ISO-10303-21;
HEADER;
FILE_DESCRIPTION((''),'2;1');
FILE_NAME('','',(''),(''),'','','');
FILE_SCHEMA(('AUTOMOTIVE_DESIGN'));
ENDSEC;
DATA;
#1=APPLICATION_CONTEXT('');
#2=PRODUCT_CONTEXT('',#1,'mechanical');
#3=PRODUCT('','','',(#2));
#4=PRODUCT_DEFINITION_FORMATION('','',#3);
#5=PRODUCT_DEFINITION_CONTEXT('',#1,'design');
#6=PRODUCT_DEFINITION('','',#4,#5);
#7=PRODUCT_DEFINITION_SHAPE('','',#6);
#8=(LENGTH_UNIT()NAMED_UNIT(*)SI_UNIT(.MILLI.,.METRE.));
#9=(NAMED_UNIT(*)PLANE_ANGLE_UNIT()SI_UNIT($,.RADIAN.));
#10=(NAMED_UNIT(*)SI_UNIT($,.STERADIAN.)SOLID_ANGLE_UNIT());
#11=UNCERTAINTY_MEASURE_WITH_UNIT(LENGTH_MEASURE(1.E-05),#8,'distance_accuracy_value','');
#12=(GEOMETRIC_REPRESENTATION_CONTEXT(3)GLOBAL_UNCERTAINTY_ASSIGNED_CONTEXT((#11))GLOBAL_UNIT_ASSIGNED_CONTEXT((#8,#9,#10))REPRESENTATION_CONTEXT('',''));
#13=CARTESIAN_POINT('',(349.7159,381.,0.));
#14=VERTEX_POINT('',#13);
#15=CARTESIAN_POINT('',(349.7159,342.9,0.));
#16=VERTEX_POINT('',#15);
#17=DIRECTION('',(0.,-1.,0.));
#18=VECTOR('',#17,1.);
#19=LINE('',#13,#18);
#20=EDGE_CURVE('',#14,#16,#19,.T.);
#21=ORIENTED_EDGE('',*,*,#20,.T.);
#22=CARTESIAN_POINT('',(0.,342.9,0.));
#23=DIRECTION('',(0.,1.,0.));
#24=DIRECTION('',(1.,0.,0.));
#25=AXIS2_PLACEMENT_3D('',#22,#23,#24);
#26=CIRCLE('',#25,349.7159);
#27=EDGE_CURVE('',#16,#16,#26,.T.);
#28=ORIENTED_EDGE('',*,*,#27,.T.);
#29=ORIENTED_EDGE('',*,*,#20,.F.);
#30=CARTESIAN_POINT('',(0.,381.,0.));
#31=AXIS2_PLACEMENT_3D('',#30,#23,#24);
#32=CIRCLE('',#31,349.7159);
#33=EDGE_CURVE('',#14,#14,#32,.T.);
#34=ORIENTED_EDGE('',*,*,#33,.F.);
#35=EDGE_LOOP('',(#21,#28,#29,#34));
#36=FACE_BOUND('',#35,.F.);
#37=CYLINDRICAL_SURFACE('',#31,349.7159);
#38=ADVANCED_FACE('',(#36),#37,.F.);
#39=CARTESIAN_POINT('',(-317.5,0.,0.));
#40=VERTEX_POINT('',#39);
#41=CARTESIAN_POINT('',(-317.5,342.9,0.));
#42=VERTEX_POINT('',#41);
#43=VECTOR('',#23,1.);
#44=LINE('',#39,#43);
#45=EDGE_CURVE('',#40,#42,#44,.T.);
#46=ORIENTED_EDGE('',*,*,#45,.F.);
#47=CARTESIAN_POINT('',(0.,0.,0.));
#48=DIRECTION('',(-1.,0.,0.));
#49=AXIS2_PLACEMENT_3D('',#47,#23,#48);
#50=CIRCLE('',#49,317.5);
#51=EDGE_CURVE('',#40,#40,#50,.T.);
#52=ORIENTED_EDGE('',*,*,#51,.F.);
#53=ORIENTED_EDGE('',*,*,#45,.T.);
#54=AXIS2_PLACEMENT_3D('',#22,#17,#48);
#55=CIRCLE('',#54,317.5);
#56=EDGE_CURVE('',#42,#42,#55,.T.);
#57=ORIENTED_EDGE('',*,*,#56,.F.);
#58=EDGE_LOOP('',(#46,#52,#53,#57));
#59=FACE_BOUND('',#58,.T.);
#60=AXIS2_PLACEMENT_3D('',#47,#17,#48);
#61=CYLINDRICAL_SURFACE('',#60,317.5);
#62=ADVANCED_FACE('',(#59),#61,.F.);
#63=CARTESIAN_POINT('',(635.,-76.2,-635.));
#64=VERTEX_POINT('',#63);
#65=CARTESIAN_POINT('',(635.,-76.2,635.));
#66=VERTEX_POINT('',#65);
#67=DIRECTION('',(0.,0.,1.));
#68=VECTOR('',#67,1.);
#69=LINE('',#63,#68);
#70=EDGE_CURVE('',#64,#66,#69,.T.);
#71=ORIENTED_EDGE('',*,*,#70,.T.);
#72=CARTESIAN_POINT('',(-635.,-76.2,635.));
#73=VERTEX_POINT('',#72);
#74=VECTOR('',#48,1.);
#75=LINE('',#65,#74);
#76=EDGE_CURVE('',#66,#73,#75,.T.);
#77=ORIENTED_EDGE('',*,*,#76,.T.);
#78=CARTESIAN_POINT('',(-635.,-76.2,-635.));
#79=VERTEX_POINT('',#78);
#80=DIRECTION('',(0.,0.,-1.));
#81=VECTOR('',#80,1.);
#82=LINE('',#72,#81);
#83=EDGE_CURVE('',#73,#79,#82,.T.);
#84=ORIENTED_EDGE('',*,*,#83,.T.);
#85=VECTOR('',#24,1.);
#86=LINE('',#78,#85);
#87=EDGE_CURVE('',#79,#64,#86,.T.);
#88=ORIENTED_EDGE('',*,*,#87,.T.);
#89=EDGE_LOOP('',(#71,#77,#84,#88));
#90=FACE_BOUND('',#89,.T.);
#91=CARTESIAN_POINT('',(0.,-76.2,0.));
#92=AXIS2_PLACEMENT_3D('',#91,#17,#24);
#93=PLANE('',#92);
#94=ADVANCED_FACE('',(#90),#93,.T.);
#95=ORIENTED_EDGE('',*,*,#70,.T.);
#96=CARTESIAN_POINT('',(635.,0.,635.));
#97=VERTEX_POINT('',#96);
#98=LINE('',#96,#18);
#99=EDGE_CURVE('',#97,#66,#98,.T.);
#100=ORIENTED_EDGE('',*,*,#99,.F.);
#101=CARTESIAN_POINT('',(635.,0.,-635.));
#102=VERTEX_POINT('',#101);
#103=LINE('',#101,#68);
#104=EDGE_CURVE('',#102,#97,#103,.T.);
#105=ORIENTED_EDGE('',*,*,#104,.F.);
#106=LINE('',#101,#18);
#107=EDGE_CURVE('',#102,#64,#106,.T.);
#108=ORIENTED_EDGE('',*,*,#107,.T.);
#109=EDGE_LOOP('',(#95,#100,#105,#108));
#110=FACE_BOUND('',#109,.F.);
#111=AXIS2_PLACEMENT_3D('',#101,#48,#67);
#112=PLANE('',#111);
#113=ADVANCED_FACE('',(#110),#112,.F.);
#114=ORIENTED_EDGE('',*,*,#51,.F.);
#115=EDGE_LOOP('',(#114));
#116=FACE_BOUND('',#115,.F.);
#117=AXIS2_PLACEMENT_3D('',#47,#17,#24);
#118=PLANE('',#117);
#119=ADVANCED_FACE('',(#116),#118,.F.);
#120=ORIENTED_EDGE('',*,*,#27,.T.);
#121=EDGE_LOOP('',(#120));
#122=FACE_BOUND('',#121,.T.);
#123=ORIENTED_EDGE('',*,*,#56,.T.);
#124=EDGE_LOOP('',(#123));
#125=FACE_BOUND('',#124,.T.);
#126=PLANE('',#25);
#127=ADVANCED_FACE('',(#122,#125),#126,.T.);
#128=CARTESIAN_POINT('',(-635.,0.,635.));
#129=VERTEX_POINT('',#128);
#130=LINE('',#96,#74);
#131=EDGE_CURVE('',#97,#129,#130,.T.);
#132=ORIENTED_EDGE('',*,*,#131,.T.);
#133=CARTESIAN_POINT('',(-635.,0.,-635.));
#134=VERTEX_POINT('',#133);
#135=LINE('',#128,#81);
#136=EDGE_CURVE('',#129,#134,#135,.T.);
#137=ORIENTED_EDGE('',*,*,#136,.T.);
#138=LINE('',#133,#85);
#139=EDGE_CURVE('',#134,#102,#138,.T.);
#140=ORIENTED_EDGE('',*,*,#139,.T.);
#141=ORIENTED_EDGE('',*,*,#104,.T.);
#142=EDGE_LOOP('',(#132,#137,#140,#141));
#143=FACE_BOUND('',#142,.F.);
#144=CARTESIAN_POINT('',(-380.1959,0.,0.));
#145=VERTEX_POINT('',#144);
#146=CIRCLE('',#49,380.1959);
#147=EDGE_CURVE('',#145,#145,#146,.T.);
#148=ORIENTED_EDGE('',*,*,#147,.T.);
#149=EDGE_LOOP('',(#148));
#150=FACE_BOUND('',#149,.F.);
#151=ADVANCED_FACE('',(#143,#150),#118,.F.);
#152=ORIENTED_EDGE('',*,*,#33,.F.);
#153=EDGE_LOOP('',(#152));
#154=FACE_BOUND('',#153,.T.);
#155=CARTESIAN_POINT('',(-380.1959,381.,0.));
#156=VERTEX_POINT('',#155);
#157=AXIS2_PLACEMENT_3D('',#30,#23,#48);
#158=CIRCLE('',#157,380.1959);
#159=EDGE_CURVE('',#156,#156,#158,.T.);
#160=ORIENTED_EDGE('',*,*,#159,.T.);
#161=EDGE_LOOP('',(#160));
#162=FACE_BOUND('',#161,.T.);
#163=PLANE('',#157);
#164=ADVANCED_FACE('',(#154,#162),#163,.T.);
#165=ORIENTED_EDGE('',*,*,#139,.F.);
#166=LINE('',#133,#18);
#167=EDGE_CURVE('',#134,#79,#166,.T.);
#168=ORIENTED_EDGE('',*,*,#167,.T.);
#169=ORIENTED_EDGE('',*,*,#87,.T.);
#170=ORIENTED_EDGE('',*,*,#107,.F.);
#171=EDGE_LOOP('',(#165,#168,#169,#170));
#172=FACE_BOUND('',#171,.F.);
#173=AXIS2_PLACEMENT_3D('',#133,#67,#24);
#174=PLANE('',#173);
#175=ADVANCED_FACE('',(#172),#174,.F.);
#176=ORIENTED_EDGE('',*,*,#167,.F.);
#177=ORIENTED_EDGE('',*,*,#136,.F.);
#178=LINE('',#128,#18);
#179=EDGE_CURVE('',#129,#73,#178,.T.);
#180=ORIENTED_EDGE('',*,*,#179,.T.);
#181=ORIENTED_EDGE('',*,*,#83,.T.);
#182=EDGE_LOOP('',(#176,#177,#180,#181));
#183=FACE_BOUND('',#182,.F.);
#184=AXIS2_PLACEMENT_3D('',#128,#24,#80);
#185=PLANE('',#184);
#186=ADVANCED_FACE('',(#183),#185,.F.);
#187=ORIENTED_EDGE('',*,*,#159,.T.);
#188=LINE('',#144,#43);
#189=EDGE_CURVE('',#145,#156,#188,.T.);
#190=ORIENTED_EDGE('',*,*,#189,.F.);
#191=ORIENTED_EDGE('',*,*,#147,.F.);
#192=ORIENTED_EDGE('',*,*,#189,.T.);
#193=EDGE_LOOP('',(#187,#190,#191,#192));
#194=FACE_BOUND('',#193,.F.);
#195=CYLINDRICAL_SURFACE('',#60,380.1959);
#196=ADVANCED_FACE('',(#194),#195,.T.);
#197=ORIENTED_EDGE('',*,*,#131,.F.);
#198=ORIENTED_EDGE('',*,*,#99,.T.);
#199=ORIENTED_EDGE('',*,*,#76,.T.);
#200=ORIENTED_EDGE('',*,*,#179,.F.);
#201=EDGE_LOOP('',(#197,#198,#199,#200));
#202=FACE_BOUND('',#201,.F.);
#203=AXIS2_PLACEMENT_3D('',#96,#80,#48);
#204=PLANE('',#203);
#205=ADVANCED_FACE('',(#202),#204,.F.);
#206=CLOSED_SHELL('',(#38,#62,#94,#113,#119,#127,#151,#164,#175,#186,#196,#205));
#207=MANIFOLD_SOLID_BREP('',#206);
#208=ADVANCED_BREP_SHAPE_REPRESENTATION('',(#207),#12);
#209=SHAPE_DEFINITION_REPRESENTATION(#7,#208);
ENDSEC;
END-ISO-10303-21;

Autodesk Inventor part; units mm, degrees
ref_plane "YZ Plane" through (0, 0, 0) normal (1, 0, 0) x (0, 1, 0)
ref_plane "XZ Plane" through (0, 0, 0) normal (0, 1, 0) x (-1, 0, 0)
ref_plane "XY Plane" through (0, 0, 0) normal (0, 0, 1) x (1, 0, 0)
sketch "Sketch1" plane through (0, 0, 0) normal (0, 1, 0) x (-1, 0, 0)
  circle A0 centre (0, 0) radius 317.5
  circle A1 centre (0, 0) radius 380.1959
  dimension "d0" = 635
  dimension "d1" = 760.3918
extrude "Extrusion1" add sketch "Sketch1" along normal blind 381
sketch "Sketch2" plane through (0, 0, 0) normal (0, -1, 0) x (1, 0, 0)
  line L0 (635, 635) -> (-635, 635)
  line L1 (-635, 635) -> (-635, -635)
  line L2 (-635, -635) -> (635, -635)
  line L3 (635, -635) -> (635, 635)
  circle A0 centre (0, 0) radius 380.1959 projected
  dimension "d4" = 635
  dimension "d5" = 635
  dimension "d6" = 635
  dimension "d7" = 635
extrude "Extrusion2" add sketch "Sketch2" along normal blind 76.2 contours L3 L2 L1 L0 | A0
sketch "Sketch3" plane through (0, 381, 0) normal (0, 1, 0) x (1, 0, 0)
  circle A0 centre (0, 0) radius 349.7159
  circle A1 centre (0, 0) radius 380.1959 projected
  circle A2 centre (0, 0) radius 317.5 projected
  dimension "d10" = 30.48
  dimension "d11" = 760.3918
  dimension "d12" = 32.2159
extrude "Extrusion3" cut sketch "Sketch3" against normal blind 38.1 contours A0 | A2
properties part number "1"
